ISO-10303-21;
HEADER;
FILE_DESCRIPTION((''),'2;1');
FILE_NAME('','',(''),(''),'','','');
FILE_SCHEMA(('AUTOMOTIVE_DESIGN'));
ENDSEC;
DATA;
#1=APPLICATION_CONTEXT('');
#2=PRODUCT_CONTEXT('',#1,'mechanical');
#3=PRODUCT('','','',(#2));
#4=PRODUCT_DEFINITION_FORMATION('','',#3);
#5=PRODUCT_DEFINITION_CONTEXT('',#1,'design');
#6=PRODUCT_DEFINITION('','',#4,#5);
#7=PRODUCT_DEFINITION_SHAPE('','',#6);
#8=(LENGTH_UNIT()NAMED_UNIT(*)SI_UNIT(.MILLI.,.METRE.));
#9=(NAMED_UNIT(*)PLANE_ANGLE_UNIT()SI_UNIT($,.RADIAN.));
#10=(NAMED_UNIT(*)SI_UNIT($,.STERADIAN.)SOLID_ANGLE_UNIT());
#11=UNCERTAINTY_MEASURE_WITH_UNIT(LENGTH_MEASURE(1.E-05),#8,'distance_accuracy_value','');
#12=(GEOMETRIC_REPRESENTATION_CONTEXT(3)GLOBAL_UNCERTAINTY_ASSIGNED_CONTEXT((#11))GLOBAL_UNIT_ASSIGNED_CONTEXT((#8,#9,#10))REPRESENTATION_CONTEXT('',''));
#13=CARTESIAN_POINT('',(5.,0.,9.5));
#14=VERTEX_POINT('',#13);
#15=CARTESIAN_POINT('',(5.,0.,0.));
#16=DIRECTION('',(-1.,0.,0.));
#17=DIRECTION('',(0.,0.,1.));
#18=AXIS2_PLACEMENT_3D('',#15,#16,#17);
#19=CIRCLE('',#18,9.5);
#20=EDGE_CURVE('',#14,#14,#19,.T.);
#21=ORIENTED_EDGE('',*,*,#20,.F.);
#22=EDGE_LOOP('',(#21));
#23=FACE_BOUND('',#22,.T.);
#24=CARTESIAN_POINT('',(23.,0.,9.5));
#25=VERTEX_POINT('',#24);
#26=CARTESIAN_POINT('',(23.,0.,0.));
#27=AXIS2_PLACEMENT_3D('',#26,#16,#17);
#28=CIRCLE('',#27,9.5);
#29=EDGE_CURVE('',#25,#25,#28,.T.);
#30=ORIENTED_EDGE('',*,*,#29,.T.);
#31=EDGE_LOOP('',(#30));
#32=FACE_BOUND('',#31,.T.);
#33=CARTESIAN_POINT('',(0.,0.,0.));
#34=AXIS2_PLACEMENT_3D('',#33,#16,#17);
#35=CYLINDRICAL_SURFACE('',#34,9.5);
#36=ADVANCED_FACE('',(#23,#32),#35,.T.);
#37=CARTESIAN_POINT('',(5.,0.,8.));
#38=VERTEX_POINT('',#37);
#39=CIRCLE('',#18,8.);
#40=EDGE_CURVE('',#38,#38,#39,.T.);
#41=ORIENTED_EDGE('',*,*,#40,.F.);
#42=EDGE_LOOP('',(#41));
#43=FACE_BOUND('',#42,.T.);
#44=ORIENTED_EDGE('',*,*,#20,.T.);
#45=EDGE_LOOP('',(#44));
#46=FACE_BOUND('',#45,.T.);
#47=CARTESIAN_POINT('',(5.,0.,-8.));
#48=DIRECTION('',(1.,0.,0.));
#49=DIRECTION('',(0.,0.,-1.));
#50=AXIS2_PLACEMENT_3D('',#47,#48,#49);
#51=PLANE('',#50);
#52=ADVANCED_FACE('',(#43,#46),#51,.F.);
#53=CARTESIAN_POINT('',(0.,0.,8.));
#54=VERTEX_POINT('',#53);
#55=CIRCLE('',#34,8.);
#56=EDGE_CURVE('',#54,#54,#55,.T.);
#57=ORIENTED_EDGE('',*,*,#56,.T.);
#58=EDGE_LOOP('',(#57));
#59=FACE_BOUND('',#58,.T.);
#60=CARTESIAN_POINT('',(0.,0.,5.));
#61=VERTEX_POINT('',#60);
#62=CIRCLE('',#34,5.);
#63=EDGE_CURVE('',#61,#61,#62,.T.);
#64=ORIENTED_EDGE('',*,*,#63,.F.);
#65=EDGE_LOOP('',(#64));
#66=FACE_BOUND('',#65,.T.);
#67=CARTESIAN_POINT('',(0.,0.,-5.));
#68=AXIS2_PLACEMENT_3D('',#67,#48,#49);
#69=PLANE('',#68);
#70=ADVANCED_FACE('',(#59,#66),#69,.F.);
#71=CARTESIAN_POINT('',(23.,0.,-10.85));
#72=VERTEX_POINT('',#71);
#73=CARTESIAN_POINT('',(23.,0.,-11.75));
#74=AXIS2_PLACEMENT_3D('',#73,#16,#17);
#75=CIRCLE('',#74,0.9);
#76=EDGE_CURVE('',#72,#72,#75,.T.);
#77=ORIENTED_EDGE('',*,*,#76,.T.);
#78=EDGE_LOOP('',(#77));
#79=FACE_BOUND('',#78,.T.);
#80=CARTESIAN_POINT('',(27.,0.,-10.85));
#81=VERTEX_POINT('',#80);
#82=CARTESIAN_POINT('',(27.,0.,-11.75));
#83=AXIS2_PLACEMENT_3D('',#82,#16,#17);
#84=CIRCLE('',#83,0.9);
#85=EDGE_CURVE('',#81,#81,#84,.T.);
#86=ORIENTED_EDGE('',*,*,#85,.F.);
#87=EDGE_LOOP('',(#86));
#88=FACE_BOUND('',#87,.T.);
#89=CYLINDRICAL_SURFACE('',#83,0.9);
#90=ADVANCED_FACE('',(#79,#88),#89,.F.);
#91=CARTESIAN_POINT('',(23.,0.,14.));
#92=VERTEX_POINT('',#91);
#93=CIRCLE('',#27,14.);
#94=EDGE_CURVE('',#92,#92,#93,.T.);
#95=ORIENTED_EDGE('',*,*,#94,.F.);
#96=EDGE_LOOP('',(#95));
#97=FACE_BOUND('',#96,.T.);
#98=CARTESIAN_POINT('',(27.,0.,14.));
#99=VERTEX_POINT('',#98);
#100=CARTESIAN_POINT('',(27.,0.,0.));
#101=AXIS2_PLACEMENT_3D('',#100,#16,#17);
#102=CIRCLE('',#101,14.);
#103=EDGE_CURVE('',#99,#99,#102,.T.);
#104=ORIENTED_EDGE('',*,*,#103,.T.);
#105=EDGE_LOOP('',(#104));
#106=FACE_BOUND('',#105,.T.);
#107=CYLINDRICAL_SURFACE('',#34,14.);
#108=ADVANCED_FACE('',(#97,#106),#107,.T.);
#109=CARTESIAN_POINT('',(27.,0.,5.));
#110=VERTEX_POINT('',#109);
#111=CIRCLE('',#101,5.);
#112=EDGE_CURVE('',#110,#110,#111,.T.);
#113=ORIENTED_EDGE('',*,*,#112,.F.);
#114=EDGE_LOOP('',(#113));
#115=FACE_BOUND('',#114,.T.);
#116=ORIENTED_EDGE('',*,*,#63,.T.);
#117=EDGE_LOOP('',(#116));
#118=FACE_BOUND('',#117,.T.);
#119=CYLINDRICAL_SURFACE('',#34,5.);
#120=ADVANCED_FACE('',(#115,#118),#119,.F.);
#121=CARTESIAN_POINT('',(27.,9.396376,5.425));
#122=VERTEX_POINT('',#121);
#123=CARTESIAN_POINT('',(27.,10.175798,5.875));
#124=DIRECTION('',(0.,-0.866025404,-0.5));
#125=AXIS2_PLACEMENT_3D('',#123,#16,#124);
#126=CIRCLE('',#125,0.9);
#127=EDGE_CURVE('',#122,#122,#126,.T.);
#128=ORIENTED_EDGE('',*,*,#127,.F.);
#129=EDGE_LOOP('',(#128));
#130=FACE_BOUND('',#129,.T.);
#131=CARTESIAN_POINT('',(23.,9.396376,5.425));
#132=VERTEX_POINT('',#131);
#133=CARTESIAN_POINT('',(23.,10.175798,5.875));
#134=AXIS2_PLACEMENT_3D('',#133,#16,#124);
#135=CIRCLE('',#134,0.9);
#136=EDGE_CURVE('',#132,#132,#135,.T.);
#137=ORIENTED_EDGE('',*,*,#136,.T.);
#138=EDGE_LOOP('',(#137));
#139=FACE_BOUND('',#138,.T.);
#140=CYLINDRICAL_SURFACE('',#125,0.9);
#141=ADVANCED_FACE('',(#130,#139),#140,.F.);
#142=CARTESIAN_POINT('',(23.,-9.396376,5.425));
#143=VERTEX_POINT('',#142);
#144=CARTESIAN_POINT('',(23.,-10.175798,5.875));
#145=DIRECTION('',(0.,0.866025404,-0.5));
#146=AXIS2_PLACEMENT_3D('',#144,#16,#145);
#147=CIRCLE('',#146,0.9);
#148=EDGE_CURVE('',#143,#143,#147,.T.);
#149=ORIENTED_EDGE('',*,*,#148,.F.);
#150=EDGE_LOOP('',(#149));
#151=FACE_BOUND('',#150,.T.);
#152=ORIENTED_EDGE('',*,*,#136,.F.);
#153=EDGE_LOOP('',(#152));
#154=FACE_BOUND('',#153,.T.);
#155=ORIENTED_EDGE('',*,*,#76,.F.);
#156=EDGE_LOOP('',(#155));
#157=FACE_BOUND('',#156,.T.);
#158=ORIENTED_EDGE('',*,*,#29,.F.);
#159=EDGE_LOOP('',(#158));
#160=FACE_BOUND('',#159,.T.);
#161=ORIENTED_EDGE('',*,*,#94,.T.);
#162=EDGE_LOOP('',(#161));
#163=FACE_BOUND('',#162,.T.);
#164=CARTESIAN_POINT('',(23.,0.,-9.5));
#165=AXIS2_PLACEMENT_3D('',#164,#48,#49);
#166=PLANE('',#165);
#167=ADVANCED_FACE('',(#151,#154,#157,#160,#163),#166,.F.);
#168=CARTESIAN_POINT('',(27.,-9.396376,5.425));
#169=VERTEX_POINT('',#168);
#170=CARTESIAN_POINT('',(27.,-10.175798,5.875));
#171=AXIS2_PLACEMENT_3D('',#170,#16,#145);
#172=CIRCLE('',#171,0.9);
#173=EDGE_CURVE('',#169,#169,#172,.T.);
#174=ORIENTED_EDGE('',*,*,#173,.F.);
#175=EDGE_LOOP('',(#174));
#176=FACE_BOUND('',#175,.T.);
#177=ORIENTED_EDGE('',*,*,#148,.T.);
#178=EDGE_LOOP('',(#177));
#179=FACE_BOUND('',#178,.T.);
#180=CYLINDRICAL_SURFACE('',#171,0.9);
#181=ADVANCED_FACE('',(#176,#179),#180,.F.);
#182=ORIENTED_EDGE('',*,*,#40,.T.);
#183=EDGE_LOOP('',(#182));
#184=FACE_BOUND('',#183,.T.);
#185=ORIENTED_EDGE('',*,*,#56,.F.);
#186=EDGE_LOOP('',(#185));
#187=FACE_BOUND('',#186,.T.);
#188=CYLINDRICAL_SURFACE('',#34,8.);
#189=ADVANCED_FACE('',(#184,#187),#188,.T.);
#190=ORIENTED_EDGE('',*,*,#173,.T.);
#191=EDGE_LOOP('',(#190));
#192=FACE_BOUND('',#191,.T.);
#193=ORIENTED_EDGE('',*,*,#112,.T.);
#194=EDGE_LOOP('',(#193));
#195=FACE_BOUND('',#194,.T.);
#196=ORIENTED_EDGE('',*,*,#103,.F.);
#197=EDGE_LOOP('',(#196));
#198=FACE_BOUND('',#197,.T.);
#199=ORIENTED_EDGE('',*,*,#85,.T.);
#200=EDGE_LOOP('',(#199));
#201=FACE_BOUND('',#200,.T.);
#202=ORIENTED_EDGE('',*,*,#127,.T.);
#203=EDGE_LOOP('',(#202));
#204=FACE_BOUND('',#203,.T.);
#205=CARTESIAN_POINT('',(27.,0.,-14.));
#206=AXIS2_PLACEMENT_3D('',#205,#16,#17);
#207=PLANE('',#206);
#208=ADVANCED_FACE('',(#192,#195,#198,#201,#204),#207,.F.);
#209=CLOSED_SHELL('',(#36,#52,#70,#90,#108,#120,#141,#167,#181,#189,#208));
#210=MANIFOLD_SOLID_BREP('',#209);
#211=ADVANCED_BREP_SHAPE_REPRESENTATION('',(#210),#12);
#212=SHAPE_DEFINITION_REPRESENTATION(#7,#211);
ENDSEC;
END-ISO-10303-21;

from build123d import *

# Parameters (mm, degrees)
SKETCH2_R          = 0.9
CUT_EXTRUDE1_DEPTH = 31.347981811
CIRPATTERN1_COUNT  = 3


with BuildPart() as part:
    # Sketch1 → Revolve1 (revolve)
    with BuildSketch(Plane(origin=(0, 0, 0), x_dir=(1, 0, 0), z_dir=(0, 1, 0)), mode=Mode.PRIVATE) as revolve1_sk:
        Polygon((0, 5), (27, 5), (27, 14), (23, 14), (23, 9.5), (5, 9.5), (5, 8), (0, 8), align=None)
    revolve(revolve1_sk.sketch.rotate(Axis((0, 0, 0), (1, 0, 0)), 180), axis=Axis((0, 0, 0), (1, 0, 0)))

    # Sketch2 → Cut-Extrude1 (cut, through all)
    with BuildSketch(Plane.ZY.offset(-23)):
        with Locations((-11.75, 0)):
            Circle(SKETCH2_R)
    cut_extrude1 = extrude(amount=-CUT_EXTRUDE1_DEPTH, mode=Mode.SUBTRACT)

    # CirPattern1: Cut-Extrude1 ×3 about axis
    cirpattern1_axis = Axis((0, 0, 0), (1, 0, 0))
    for i in range(1, CIRPATTERN1_COUNT):
        add(cut_extrude1.rotate(cirpattern1_axis, i * 360 / CIRPATTERN1_COUNT), mode=Mode.SUBTRACT)


solid = part.part
